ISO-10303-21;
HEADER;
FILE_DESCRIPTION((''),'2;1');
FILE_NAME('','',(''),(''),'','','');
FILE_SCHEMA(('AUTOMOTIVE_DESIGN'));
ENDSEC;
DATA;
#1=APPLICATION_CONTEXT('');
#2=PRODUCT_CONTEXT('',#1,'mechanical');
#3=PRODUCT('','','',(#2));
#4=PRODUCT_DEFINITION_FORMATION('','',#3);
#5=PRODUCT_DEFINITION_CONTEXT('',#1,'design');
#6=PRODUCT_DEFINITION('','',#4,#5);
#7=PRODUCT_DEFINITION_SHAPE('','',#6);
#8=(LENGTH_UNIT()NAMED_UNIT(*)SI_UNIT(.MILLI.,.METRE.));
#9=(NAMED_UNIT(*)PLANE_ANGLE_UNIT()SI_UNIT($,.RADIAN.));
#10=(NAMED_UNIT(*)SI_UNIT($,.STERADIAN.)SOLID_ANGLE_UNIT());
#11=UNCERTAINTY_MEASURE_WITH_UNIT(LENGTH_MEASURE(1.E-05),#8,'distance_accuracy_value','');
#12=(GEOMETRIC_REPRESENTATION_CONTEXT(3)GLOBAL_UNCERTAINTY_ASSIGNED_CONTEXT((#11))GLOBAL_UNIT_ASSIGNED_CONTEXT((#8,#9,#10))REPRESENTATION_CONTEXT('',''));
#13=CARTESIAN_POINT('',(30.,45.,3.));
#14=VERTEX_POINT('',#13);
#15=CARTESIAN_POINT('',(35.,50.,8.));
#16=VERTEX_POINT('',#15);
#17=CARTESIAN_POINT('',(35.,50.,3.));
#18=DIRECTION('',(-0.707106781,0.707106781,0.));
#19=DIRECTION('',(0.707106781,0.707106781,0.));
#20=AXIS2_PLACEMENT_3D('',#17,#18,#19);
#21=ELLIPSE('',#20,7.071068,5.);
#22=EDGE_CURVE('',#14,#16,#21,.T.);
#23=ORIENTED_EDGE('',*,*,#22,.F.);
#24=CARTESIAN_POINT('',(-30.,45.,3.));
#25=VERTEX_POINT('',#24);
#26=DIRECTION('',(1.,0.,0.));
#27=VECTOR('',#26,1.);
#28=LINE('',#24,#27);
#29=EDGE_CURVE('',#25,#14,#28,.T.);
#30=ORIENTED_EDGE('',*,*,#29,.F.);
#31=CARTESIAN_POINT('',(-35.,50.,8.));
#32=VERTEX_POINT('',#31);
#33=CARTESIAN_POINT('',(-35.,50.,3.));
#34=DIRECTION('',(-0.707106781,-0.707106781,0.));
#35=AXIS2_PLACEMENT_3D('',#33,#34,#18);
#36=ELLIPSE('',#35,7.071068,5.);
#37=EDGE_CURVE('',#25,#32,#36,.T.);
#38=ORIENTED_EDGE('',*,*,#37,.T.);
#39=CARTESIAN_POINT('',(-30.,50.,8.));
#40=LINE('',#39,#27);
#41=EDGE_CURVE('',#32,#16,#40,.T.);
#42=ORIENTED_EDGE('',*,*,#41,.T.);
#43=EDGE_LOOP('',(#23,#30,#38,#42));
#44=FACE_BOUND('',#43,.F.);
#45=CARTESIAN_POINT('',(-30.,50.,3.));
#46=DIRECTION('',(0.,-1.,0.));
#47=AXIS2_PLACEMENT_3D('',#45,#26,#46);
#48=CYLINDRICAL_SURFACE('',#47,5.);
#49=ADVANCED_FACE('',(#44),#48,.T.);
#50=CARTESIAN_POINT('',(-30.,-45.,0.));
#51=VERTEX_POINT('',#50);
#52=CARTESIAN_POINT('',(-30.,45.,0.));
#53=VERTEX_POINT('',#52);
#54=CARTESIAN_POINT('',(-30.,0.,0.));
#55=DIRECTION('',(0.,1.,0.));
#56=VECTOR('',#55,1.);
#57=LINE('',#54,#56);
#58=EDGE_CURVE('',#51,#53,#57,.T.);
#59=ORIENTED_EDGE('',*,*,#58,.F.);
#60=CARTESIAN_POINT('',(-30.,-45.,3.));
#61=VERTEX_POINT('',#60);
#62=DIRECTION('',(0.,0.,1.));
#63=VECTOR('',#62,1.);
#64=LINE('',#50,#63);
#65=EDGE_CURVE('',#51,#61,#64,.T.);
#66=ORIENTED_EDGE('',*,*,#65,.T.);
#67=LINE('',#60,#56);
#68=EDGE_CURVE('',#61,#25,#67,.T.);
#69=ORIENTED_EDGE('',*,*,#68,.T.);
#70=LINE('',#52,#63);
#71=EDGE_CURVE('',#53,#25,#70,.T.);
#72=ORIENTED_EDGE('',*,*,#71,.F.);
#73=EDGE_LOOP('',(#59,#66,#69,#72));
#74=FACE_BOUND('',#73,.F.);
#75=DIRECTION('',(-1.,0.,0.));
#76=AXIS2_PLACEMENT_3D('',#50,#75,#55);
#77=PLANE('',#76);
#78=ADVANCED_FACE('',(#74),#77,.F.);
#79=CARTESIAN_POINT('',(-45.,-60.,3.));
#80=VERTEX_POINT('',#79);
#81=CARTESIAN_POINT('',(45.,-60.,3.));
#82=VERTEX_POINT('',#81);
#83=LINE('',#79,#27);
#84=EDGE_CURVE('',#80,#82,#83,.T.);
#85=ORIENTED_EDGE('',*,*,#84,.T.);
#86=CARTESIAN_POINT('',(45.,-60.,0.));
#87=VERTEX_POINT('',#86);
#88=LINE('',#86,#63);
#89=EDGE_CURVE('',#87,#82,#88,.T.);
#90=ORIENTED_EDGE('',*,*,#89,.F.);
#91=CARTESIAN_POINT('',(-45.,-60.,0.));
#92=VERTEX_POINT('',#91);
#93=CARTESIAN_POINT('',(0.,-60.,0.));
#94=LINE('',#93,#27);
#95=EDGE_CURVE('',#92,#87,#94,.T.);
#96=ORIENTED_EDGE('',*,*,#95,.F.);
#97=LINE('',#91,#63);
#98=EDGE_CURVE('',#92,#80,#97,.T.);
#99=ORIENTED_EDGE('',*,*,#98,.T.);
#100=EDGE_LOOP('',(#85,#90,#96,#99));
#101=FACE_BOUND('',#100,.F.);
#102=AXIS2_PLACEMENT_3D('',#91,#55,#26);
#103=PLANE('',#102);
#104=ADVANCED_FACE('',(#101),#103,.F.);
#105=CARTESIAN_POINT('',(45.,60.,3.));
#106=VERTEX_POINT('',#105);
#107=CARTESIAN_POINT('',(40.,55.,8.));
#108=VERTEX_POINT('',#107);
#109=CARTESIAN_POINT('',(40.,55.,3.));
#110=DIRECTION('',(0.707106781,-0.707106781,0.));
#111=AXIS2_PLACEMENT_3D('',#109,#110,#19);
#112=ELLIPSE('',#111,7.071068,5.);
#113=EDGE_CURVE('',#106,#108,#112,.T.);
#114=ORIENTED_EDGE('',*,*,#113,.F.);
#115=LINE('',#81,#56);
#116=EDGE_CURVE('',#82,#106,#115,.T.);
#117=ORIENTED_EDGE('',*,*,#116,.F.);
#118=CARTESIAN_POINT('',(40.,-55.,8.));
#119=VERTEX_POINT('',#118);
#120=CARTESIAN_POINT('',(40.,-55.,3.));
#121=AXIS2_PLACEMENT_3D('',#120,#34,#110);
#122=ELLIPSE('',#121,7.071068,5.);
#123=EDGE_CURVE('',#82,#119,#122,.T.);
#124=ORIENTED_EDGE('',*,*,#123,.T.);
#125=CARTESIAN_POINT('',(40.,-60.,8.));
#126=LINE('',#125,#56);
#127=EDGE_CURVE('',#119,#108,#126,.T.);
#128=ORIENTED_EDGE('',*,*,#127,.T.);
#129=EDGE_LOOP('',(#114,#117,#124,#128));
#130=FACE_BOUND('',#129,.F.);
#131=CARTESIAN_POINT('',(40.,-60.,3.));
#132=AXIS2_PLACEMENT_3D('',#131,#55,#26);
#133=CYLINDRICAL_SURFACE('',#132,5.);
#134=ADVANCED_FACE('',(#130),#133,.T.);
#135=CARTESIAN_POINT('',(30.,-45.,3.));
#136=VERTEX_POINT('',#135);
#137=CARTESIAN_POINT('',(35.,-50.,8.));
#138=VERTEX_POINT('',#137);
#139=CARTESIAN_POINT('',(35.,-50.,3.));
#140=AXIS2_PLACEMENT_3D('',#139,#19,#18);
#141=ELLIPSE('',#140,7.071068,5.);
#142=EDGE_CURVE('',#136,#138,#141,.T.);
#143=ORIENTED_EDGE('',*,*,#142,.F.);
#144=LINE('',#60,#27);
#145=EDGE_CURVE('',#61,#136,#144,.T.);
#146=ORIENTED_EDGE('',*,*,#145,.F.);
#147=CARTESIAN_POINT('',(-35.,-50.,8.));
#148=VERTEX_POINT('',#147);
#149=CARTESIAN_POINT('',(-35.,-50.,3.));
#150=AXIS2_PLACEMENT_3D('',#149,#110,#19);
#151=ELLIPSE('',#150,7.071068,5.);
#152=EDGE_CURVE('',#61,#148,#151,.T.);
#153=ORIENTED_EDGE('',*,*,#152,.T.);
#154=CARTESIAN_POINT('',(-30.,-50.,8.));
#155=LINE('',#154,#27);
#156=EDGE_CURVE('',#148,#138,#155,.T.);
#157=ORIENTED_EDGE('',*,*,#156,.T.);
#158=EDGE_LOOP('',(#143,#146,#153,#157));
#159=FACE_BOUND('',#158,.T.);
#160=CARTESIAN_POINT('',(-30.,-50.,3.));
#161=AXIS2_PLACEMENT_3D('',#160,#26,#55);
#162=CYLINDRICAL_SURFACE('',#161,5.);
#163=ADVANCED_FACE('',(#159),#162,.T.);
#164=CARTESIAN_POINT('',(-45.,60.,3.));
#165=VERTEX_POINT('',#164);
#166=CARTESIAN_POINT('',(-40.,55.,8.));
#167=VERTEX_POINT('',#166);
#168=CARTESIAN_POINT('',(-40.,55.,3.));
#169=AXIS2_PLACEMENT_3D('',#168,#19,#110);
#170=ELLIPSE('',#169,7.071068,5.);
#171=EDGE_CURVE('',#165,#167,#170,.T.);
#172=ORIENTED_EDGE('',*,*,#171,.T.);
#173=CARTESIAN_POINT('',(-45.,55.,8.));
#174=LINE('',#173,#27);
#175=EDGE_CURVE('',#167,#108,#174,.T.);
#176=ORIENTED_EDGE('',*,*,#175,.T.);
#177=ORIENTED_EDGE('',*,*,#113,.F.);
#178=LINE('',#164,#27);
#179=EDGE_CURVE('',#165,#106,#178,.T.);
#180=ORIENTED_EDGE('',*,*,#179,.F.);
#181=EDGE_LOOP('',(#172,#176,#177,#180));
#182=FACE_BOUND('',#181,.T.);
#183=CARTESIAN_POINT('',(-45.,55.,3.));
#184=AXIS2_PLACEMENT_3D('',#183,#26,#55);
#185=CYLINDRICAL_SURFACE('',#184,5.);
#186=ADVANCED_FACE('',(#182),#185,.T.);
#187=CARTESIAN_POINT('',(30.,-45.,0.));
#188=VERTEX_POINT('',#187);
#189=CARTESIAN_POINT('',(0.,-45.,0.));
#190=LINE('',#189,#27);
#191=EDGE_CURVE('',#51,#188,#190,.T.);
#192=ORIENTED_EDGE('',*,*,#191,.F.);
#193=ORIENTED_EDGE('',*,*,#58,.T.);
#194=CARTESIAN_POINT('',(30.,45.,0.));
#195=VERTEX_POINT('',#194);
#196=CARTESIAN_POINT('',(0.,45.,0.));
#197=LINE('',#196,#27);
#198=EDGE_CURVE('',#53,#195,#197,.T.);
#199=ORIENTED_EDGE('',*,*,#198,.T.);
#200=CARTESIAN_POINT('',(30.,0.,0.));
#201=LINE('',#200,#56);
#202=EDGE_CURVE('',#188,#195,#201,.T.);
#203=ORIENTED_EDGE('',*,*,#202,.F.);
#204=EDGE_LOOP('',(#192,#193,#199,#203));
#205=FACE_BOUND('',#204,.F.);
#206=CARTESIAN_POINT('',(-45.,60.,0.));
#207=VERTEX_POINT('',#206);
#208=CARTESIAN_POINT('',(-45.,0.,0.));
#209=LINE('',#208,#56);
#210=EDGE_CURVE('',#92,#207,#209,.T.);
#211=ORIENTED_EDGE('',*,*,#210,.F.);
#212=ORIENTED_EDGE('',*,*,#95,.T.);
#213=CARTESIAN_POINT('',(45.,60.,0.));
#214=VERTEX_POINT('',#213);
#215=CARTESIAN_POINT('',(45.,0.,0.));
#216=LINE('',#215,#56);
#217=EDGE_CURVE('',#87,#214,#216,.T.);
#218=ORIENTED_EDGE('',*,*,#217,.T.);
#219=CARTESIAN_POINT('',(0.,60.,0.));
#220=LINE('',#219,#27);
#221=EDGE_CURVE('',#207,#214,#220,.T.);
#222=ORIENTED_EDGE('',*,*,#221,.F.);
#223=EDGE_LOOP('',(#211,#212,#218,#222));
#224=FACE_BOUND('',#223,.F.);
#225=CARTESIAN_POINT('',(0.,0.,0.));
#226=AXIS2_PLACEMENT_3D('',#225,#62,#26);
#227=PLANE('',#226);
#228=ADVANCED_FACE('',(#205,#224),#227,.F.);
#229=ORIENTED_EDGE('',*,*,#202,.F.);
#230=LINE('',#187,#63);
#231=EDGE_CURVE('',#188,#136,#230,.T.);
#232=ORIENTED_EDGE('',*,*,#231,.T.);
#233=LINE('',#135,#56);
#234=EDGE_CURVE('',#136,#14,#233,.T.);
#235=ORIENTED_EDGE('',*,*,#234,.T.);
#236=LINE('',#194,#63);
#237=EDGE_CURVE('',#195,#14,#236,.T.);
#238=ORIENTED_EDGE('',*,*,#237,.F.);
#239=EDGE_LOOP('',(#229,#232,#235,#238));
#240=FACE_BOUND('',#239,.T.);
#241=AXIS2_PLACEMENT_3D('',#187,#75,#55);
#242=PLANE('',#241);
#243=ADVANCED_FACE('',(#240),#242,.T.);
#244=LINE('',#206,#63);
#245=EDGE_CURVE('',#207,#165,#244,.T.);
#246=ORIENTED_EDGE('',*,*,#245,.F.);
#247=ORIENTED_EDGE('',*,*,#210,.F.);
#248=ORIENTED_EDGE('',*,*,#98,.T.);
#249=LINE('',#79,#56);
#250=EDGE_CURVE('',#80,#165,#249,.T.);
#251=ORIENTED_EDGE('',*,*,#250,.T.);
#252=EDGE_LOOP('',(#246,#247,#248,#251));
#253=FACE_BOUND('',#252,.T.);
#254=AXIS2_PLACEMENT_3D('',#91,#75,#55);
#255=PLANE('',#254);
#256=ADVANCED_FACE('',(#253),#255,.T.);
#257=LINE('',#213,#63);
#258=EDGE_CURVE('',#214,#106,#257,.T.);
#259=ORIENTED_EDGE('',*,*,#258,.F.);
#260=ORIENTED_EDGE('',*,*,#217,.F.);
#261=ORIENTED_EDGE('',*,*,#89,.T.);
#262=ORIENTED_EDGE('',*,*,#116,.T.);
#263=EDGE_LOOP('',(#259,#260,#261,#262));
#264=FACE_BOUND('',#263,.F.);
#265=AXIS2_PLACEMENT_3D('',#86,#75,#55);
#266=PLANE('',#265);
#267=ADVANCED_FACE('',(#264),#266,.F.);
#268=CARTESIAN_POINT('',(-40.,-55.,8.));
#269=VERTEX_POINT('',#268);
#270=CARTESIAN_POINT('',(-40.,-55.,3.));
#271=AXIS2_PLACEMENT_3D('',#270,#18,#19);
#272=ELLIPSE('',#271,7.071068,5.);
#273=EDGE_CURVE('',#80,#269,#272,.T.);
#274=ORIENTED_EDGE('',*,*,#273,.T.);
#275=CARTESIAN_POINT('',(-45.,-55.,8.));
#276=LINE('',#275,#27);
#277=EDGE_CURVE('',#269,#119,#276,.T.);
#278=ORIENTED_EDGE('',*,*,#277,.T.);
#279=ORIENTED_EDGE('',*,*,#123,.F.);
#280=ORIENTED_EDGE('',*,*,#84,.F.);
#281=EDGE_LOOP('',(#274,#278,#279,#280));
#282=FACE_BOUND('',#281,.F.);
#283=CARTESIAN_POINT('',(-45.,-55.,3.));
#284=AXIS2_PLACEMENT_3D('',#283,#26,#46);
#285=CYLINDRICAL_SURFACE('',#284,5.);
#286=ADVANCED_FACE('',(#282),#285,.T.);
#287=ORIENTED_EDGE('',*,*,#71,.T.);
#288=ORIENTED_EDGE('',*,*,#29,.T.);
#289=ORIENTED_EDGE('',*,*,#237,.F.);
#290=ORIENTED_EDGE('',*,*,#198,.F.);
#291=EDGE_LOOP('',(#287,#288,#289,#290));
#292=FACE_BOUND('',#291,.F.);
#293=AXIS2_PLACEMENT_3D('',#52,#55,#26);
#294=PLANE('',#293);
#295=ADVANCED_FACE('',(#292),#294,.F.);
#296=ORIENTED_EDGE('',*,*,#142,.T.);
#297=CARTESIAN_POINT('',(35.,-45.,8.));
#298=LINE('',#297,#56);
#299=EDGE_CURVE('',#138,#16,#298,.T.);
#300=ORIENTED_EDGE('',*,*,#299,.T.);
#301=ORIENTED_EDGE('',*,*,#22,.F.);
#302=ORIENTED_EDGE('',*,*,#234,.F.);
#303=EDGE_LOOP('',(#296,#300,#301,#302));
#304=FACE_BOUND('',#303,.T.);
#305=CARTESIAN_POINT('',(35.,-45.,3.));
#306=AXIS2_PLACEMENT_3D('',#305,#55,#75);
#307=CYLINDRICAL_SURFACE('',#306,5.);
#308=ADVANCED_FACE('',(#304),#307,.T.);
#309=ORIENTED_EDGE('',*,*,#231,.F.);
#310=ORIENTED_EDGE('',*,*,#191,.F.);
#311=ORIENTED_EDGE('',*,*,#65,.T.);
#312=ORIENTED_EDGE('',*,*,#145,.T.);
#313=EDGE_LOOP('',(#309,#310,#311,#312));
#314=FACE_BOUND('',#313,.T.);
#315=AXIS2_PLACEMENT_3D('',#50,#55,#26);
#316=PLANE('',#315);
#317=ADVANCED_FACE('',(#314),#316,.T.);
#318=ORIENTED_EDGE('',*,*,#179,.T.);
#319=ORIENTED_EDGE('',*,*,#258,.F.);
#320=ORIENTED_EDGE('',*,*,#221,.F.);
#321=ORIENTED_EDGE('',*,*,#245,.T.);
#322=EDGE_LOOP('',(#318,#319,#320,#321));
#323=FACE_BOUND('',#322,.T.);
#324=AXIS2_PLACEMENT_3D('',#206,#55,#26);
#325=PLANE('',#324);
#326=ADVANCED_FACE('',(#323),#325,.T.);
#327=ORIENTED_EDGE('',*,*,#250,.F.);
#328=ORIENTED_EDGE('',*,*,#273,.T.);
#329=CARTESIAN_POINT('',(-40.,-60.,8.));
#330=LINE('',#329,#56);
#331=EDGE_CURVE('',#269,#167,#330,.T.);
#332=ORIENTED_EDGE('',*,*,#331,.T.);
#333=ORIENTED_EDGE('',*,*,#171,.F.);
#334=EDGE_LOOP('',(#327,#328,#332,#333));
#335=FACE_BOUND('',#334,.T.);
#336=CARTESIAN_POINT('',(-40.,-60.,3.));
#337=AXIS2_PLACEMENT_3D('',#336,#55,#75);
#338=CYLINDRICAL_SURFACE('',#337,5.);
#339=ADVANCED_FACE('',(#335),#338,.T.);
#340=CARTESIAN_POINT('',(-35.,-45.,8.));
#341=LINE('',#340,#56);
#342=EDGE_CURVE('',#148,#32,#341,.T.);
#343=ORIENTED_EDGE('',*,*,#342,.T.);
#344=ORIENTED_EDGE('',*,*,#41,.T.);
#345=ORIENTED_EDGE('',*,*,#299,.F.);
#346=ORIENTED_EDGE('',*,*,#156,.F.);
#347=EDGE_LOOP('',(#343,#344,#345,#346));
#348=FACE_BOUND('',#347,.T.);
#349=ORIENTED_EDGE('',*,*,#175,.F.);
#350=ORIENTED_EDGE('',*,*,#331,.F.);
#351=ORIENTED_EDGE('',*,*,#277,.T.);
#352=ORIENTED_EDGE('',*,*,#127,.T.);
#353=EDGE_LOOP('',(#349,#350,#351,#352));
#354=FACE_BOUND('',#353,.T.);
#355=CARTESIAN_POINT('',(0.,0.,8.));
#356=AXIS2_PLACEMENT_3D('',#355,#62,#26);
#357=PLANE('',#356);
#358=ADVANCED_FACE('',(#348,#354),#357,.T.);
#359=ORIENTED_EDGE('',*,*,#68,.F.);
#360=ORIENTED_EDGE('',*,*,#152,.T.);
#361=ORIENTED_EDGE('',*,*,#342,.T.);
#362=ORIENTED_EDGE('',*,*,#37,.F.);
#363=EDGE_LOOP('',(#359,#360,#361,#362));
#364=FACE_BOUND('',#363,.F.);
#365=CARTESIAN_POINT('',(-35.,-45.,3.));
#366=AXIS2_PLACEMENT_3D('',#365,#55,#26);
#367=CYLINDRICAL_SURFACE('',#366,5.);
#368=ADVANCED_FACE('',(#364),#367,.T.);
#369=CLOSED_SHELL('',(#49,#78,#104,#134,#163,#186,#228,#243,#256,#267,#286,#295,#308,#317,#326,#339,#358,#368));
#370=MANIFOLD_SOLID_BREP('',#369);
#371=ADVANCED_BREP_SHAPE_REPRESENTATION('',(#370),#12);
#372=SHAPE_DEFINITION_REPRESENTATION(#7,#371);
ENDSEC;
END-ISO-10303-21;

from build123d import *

# Parameters (mm, degrees)
F0_W     = 90
F0_H     = 120
F0_W_2   = 80
F0_H_2   = 110
F0_W_3   = 60
F0_H_3   = 90
F1_DEPTH = 8
F2_R     = 5


with BuildPart() as f1:
    # F0 (on Top) → F1 (new body)
    with BuildSketch(Plane.XY):
        Rectangle(F0_W, F0_H)
        Rectangle(F0_W_2, F0_H_2, mode=Mode.SUBTRACT)
        Rectangle(F0_W_2, F0_H_2)
        Rectangle(F0_W_3, F0_H_3, mode=Mode.SUBTRACT)
    extrude(amount=F1_DEPTH)

    # F2
    f2_edges = [f1.edges().sort_by_distance(p)[0] for p in [
        (0, -60, 8),
        (45, 0, 8),
        (0, 60, 8),
        (-45, 0, 8),
        (-30, 0, 8),
        (0, 45, 8),
        (30, 0, 8),
        (0, -45, 8),
    ]]
    fillet(f2_edges, radius=F2_R)


solid = f1.part
